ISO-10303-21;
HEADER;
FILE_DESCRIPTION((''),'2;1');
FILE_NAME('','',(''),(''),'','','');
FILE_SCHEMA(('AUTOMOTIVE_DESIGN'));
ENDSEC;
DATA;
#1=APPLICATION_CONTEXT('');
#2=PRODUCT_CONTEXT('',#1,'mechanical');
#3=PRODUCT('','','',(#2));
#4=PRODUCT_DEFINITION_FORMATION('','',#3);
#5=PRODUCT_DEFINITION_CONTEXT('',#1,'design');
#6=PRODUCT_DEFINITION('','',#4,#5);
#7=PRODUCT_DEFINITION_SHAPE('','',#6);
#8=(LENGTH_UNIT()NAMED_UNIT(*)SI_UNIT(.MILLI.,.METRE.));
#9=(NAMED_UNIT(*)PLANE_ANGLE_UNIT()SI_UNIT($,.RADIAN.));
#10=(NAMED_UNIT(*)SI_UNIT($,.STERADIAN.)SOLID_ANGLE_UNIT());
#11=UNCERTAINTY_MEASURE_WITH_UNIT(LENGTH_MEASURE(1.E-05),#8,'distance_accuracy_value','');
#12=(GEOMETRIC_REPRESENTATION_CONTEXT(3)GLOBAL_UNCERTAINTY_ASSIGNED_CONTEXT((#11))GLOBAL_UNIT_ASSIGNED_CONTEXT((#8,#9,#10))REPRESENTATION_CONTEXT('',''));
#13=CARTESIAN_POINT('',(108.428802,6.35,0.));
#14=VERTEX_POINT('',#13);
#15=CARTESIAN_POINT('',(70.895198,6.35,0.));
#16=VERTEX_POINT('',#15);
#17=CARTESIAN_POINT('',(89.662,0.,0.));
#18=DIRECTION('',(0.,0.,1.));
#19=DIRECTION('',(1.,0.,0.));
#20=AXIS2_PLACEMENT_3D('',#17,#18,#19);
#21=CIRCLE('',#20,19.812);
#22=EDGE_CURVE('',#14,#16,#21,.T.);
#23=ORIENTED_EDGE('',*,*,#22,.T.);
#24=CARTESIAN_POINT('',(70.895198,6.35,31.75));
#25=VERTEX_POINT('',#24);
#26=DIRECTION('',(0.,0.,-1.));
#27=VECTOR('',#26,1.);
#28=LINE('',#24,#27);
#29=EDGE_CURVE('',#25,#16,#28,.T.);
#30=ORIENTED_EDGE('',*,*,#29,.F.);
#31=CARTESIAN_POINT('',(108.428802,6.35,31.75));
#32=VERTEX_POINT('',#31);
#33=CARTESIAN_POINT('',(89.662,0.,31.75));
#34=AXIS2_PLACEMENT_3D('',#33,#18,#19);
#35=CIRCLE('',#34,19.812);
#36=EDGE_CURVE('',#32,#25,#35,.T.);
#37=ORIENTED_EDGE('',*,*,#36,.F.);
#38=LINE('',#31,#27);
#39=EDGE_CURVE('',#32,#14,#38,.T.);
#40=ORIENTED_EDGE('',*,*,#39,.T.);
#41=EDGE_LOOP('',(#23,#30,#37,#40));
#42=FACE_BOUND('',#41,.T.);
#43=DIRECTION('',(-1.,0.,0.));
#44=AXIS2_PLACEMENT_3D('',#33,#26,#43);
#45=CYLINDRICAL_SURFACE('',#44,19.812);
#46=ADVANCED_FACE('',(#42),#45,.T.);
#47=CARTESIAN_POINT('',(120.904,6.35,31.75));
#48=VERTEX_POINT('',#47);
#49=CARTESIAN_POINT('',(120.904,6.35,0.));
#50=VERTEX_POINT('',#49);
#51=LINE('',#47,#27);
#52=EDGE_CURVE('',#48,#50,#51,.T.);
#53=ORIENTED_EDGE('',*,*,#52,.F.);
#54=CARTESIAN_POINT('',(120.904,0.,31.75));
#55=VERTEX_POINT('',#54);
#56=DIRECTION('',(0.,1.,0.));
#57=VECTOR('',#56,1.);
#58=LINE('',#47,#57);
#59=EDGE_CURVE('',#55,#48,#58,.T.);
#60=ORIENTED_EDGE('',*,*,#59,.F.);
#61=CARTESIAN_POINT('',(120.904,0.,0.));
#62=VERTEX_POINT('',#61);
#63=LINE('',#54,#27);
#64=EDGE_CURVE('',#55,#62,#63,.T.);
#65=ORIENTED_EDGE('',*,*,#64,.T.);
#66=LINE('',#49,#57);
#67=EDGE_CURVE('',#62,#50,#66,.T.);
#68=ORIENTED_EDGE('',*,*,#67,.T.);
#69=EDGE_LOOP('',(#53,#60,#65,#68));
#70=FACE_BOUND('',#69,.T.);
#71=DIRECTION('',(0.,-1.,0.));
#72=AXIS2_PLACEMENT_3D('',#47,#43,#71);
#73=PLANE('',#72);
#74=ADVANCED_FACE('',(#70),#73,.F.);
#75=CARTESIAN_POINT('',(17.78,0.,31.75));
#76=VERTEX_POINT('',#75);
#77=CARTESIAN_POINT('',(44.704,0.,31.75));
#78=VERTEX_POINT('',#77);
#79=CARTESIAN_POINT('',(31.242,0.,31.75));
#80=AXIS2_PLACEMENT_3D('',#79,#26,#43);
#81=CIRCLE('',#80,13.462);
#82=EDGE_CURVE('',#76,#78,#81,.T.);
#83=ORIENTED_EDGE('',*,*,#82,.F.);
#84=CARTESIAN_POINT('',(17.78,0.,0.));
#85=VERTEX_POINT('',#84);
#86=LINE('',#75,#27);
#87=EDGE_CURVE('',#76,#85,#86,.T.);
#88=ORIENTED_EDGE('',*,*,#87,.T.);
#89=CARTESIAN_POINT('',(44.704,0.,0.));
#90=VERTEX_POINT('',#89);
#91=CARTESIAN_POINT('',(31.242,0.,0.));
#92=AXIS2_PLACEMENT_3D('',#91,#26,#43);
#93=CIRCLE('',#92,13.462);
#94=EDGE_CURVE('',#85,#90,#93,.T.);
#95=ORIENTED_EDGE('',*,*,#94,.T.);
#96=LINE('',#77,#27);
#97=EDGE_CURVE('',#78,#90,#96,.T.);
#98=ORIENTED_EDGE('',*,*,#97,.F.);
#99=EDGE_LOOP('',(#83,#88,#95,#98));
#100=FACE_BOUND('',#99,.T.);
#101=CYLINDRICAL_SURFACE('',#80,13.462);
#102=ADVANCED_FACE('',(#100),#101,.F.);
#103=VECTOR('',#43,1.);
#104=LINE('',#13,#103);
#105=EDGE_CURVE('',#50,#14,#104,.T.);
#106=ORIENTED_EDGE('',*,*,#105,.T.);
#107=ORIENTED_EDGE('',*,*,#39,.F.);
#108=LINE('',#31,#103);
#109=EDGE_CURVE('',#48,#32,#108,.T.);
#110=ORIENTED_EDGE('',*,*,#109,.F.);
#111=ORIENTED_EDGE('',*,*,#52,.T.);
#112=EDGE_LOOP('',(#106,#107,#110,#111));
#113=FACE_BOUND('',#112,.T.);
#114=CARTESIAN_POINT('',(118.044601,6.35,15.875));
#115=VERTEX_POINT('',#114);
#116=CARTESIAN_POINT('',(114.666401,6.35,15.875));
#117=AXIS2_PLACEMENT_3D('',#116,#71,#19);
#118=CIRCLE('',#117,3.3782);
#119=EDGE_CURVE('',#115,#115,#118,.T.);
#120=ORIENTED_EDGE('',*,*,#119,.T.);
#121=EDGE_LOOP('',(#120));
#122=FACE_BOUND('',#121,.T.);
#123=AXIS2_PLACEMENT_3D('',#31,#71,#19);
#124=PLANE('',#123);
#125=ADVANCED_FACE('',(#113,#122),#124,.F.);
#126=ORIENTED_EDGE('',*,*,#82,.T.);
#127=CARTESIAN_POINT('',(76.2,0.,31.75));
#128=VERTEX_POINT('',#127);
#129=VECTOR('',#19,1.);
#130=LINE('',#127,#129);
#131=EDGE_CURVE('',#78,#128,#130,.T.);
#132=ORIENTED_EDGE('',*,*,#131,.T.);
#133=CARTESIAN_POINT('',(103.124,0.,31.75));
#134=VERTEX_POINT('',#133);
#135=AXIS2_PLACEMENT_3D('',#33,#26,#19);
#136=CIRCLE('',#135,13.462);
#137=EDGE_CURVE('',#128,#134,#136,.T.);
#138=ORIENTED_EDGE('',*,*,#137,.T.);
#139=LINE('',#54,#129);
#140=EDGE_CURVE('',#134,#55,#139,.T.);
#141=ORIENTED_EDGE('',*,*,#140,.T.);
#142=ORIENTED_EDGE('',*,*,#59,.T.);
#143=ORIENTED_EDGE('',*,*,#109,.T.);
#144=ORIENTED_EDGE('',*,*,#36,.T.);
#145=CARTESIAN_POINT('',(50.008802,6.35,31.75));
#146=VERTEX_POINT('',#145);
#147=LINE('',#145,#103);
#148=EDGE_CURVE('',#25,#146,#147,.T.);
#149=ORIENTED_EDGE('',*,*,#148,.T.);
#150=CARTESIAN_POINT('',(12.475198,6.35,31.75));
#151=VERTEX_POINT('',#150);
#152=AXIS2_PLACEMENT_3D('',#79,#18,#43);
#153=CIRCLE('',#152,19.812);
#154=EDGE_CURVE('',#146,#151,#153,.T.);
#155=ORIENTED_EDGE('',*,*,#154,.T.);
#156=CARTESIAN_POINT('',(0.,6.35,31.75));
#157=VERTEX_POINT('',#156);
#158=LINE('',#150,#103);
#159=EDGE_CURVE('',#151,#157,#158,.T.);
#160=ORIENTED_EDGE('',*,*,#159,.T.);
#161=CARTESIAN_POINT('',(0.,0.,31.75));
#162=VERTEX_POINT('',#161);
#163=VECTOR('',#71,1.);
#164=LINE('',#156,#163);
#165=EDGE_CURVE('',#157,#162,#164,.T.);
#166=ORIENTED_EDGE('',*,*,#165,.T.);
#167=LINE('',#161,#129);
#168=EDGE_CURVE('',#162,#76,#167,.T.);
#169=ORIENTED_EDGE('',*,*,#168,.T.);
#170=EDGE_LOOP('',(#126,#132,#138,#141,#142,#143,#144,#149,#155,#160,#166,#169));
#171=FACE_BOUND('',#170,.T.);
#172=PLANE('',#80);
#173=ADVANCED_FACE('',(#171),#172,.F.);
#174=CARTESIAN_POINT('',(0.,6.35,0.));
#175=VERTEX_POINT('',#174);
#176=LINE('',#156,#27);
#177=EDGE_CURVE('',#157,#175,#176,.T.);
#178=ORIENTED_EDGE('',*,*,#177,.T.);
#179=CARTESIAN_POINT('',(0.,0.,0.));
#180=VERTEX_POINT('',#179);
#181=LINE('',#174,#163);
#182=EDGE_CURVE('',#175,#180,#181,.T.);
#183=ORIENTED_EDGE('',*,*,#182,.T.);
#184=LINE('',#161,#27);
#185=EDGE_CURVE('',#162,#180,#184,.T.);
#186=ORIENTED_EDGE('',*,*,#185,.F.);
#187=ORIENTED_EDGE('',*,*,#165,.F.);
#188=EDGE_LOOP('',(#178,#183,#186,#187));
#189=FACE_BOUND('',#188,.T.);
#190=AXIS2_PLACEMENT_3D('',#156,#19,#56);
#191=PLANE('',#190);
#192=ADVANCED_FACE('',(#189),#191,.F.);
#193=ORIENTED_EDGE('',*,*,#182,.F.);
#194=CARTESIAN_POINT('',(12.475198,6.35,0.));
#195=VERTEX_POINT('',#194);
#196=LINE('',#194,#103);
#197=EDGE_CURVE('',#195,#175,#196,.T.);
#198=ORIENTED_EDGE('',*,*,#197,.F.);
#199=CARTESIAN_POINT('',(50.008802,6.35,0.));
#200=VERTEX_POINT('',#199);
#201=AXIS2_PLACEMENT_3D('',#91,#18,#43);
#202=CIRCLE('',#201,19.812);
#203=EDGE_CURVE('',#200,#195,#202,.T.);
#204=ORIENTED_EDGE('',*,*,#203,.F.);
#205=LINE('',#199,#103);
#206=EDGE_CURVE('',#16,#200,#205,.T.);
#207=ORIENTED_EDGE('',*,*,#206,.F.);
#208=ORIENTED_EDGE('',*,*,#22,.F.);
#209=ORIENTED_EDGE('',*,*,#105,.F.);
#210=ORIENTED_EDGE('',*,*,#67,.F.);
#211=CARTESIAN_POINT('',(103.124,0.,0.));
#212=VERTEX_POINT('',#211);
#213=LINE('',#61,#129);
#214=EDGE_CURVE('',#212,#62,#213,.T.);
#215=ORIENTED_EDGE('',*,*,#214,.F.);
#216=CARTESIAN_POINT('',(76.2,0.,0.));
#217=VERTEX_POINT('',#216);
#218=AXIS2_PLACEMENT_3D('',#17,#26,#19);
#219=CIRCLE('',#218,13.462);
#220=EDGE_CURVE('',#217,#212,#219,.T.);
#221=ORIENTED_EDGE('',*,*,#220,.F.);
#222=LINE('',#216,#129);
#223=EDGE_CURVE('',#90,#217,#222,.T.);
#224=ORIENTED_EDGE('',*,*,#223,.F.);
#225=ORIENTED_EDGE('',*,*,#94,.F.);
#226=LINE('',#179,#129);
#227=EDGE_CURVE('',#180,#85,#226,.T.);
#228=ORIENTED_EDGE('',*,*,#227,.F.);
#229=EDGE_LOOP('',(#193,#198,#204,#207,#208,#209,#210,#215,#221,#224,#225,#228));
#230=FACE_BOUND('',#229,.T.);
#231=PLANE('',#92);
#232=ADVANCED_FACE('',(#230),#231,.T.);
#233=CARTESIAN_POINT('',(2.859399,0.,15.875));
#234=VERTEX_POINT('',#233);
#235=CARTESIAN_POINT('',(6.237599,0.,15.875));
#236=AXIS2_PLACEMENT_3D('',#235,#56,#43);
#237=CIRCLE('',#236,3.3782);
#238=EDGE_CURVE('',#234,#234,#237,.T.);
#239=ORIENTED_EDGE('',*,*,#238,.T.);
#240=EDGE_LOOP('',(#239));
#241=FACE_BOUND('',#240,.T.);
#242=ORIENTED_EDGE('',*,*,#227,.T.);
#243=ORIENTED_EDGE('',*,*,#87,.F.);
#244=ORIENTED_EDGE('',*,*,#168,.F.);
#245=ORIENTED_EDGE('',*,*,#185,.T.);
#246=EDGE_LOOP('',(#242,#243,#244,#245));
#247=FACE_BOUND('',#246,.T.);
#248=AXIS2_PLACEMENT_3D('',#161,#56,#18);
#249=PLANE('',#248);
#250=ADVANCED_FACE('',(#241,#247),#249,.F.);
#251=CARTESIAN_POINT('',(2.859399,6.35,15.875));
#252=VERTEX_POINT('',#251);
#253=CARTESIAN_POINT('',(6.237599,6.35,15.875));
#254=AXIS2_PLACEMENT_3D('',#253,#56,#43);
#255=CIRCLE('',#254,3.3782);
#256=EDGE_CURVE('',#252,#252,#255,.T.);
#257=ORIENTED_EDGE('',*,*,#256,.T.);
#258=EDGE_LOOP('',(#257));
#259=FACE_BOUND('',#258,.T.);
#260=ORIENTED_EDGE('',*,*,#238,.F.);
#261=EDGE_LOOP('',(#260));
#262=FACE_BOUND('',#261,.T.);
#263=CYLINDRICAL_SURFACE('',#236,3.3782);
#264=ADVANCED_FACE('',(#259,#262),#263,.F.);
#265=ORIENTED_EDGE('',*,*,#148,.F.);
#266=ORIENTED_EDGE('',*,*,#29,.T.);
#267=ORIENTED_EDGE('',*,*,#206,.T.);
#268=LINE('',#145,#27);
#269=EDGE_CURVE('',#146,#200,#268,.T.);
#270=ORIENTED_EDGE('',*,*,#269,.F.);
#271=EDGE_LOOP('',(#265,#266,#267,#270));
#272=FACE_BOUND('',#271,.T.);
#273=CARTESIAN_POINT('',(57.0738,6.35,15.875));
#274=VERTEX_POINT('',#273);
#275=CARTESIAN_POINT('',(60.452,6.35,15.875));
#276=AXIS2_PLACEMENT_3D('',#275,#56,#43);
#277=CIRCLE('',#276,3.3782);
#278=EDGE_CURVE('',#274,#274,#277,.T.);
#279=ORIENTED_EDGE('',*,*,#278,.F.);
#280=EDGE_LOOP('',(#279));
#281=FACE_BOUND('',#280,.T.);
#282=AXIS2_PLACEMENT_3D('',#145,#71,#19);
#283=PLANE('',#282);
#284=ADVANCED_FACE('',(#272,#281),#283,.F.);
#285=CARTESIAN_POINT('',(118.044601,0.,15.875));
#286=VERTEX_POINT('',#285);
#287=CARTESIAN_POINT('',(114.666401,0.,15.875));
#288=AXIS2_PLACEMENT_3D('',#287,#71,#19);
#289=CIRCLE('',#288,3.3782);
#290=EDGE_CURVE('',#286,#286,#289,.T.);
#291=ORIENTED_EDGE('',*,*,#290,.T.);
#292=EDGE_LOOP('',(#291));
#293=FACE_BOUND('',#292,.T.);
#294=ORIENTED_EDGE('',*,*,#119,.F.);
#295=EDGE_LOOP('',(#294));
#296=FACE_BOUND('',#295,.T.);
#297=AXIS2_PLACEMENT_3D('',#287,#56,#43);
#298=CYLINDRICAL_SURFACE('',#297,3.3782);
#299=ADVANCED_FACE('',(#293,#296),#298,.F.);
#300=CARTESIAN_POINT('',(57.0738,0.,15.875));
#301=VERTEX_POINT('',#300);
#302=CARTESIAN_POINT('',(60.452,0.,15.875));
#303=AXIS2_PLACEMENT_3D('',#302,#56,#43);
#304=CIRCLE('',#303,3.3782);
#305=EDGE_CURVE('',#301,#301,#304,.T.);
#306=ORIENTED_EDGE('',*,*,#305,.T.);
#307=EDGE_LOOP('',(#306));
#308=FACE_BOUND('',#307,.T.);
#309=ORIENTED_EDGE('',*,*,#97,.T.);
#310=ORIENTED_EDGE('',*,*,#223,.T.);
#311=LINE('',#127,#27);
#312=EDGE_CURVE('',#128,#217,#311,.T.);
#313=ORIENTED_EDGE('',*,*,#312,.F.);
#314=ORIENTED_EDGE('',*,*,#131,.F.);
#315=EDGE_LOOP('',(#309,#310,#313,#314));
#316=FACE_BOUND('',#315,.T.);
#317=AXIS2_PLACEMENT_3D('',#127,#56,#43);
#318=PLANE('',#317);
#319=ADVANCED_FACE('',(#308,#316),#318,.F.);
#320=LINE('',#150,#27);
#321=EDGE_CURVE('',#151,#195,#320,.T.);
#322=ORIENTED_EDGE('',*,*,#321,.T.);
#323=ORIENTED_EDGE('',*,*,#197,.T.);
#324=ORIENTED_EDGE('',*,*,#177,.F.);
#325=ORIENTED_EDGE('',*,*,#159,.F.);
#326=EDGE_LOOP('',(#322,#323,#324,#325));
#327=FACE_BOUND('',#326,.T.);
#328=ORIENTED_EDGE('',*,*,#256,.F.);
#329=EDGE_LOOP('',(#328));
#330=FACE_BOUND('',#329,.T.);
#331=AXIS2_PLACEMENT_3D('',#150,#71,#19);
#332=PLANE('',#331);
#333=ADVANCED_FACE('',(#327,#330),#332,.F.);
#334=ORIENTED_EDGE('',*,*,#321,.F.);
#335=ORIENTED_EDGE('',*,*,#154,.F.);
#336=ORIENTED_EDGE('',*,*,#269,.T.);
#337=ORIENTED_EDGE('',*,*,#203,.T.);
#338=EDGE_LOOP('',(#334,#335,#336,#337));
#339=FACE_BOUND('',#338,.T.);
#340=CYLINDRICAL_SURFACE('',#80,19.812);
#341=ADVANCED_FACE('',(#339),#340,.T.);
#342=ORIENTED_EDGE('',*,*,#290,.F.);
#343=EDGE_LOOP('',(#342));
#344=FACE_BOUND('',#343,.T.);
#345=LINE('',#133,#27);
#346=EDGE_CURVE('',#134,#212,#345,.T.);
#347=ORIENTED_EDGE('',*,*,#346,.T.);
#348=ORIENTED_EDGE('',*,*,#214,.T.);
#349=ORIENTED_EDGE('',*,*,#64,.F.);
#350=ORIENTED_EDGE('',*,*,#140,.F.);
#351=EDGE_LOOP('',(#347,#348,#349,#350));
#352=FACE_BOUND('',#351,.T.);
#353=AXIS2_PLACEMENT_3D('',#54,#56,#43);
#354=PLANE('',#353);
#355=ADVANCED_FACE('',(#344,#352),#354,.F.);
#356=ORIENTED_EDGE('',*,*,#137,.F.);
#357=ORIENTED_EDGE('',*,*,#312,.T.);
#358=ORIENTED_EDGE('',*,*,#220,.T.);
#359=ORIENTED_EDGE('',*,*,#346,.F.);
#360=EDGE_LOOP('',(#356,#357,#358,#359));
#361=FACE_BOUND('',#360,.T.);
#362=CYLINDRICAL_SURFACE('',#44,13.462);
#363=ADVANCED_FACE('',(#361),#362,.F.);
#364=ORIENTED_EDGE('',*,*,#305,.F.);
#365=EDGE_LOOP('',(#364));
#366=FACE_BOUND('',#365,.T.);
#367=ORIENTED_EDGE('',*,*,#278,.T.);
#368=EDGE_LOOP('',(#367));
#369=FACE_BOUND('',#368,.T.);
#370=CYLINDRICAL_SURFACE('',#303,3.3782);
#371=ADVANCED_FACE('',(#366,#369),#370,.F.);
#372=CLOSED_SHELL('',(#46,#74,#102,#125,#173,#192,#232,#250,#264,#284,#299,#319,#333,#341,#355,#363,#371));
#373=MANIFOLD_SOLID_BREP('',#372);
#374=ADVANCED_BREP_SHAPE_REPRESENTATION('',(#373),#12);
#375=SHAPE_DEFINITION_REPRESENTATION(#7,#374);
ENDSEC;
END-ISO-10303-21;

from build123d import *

# Parameters (mm, degrees)
BOSS_EXTRUDE1_DEPTH = 31.75
SKETCH3_R           = 3.3782
CUT_EXTRUDE1_DEPTH  = 7.35


with BuildPart() as part:
    # Sketch1 → Boss-Extrude1 (new body)
    with BuildSketch(Plane.XY):
        with BuildLine():
            Line((12.475198354, 6.35), (0, 6.35))
            Line((0, 6.35), (0, 0))
            Line((0, 0), (17.78, 0))
            ThreePointArc((17.78, 0), (31.242, 13.462), (44.704, 0))
            Line((44.704, 0), (76.2, 0))
            ThreePointArc((76.2, 0), (89.662, 13.462), (103.124, 0))
            Line((103.124, 0), (120.904, 0))
            Line((120.904, 0), (120.904, 6.35))
            Line((120.904, 6.35), (108.428801646, 6.35))
            ThreePointArc((108.428801646, 6.35), (89.662, 19.812), (70.895198354, 6.35))
            Line((70.895198354, 6.35), (50.008801646, 6.35))
            ThreePointArc((50.008801646, 6.35), (31.242, 19.812), (12.475198354, 6.35))
        make_face()
    extrude(amount=BOSS_EXTRUDE1_DEPTH)

    # Sketch3 → Cut-Extrude1 (cut, through all)
    with BuildSketch(Plane(origin=(0, 6.35, 0), x_dir=(1, 0, 0), z_dir=(0, 1, 0))):
        with Locations((6.237599177, -15.875)):
            Circle(SKETCH3_R)
        with Locations((60.452, -15.875)):
            Circle(SKETCH3_R)
        with Locations((114.666400823, -15.875)):
            Circle(SKETCH3_R)
    extrude(amount=-CUT_EXTRUDE1_DEPTH, mode=Mode.SUBTRACT)


solid = part.part
